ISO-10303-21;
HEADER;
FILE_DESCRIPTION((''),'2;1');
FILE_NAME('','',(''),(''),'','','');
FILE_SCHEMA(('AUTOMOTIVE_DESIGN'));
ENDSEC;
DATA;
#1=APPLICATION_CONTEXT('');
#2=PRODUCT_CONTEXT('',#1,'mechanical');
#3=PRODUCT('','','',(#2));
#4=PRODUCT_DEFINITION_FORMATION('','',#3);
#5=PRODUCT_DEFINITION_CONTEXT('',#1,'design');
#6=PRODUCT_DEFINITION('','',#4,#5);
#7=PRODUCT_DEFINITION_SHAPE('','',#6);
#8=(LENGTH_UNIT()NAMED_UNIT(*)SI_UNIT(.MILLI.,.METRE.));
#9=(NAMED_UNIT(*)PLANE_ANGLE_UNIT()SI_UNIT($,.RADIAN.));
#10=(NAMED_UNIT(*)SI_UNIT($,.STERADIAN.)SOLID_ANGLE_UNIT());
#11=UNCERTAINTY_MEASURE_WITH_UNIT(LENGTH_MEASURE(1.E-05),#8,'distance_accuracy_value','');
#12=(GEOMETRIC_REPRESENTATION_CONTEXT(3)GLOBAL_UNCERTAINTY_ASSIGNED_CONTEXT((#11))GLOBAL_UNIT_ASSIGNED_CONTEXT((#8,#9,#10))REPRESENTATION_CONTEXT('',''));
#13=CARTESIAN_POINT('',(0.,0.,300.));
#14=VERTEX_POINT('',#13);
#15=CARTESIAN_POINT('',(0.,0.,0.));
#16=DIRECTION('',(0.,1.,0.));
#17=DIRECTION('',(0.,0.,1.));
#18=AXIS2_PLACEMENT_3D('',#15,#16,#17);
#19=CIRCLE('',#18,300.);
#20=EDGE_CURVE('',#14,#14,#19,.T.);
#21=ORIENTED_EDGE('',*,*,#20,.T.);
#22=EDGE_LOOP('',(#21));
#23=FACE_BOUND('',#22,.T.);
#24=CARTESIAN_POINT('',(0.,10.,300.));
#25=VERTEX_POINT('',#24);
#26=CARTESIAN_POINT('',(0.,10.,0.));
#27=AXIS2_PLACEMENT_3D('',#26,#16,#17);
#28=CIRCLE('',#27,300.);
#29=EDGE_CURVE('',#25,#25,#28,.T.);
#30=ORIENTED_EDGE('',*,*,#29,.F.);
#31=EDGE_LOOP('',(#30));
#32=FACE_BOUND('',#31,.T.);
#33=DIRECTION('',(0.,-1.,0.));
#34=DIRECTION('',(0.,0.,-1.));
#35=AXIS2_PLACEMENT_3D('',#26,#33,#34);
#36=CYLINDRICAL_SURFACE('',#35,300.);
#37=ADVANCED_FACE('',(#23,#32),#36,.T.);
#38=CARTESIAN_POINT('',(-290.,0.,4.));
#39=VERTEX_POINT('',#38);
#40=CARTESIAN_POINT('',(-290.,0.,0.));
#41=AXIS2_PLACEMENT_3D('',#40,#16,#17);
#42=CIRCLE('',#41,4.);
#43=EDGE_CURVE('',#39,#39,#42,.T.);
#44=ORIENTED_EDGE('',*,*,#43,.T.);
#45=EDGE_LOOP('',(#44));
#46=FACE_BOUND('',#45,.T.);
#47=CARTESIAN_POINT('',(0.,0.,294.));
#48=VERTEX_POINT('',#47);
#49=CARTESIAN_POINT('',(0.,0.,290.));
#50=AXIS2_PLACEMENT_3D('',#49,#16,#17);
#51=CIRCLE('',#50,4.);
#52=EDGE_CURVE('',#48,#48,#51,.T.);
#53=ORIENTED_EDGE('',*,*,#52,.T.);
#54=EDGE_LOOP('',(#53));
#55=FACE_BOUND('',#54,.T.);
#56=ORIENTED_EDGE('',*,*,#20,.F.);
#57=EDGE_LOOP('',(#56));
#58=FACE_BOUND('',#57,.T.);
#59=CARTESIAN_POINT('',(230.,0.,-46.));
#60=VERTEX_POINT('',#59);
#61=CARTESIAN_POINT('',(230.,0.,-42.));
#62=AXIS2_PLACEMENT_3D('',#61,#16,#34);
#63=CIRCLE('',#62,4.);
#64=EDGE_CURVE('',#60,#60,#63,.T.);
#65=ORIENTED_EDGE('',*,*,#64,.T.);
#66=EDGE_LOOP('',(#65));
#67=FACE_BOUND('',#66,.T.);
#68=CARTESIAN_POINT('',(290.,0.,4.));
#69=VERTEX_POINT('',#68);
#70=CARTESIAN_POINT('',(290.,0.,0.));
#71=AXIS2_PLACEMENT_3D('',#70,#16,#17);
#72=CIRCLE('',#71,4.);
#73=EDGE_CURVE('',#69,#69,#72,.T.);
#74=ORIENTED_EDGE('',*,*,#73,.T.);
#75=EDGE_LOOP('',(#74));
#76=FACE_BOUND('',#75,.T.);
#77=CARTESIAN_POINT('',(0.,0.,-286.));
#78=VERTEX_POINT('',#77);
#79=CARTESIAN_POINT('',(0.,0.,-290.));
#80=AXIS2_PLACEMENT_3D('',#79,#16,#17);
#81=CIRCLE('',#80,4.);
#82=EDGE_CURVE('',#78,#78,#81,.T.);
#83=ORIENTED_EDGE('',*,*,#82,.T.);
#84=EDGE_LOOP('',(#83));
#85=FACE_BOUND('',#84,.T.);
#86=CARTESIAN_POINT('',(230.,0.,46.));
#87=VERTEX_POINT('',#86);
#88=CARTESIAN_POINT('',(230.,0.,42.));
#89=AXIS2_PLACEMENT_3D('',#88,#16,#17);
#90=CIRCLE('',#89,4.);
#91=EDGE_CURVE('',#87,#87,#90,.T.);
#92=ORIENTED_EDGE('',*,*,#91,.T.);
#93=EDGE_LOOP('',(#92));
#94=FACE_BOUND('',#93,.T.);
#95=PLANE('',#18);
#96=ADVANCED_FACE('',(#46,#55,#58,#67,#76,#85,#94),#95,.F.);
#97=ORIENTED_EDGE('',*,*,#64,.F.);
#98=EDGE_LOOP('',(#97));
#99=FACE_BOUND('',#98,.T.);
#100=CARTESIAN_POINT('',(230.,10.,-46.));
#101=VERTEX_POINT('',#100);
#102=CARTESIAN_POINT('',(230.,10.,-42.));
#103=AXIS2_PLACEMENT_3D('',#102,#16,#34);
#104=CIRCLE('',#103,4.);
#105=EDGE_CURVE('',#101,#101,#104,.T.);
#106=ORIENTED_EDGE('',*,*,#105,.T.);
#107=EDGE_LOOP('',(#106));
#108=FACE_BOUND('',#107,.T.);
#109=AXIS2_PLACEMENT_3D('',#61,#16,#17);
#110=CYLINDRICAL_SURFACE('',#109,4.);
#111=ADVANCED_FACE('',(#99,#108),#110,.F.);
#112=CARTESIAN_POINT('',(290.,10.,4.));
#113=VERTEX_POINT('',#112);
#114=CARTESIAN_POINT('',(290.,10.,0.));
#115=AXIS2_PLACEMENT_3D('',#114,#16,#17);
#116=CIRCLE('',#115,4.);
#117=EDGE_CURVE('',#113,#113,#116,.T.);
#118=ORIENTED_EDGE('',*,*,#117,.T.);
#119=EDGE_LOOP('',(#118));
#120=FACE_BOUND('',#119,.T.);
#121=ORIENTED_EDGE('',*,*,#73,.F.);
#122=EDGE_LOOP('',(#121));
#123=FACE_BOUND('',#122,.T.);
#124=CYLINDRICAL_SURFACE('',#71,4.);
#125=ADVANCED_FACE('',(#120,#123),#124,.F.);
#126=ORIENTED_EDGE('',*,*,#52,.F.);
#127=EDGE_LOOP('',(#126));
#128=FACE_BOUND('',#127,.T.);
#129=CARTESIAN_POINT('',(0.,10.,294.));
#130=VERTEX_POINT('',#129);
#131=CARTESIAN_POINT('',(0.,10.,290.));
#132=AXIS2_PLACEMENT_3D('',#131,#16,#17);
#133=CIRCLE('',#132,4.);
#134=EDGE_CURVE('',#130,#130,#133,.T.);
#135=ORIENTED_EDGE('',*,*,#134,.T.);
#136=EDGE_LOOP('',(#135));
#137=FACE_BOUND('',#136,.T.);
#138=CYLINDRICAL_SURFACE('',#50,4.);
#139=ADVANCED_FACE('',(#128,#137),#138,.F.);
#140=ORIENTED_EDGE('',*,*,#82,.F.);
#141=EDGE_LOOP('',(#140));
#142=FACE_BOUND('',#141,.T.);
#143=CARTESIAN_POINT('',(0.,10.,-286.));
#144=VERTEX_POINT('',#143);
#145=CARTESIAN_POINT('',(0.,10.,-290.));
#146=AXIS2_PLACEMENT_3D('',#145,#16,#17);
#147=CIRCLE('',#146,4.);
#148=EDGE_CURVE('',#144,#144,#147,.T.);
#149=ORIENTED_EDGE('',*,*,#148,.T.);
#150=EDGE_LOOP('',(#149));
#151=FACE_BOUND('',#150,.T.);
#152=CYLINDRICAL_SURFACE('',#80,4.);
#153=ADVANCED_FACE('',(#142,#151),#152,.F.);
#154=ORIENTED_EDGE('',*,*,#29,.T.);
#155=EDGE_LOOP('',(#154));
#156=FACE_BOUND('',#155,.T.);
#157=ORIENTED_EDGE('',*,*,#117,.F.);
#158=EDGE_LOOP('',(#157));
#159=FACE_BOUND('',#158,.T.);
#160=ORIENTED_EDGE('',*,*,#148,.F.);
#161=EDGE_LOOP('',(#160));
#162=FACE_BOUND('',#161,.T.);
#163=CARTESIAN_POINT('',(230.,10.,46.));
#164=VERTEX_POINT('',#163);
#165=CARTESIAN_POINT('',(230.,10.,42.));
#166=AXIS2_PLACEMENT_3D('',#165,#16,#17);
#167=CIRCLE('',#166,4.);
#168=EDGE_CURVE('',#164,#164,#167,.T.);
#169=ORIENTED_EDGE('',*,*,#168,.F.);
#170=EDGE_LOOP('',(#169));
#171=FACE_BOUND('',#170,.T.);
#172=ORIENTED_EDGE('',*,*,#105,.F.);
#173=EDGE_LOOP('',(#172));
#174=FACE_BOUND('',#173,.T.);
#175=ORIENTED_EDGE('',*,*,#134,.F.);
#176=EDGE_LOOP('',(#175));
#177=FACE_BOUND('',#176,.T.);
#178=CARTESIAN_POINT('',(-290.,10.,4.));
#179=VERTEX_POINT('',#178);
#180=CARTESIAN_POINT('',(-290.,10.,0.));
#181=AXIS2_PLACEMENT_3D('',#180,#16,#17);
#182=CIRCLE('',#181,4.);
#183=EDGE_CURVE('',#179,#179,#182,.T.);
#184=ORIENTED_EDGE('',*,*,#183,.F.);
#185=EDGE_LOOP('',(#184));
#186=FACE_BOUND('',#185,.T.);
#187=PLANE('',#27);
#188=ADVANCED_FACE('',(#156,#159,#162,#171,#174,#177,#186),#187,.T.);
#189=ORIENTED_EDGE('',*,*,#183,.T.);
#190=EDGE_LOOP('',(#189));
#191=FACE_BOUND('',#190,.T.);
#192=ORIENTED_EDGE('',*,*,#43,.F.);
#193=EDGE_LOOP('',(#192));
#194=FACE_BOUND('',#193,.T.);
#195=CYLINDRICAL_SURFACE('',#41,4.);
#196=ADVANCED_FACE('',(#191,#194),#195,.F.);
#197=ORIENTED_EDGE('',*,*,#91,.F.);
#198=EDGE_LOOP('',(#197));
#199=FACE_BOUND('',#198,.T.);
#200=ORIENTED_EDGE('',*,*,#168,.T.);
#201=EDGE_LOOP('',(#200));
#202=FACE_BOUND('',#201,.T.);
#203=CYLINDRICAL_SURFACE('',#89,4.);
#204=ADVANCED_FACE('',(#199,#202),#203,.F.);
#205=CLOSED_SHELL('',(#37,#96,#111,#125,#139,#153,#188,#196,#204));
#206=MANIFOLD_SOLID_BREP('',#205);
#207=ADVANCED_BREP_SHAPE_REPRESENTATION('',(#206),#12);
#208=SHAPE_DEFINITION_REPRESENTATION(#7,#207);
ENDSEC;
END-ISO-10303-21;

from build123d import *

# Parameters (mm, degrees)
SKETCH1_R           = 300
BOSS_EXTRUDE1_DEPTH = 10
SKETCH3_R           = 4
CUT_EXTRUDE1_DEPTH  = 11


with BuildPart() as part:
    # Sketch1 → Boss-Extrude1 (new body)
    with BuildSketch(Plane(origin=(0, 0, 0), x_dir=(1, 0, 0), z_dir=(0, 1, 0))):
        Circle(SKETCH1_R)
    extrude(amount=BOSS_EXTRUDE1_DEPTH)

    # Sketch3 → Cut-Extrude1 (cut, through all)
    with BuildSketch(Plane(origin=(0, 10, 0), x_dir=(1, 0, 0), z_dir=(0, 1, 0))):
        with Locations((290, 0)):
            Circle(SKETCH3_R)
        with Locations((0, -290)):
            Circle(SKETCH3_R)
        with Locations((-290, 0)):
            Circle(SKETCH3_R)
        with Locations((0, 290)):
            Circle(SKETCH3_R)
        with Locations((230, -42)):
            Circle(SKETCH3_R)
        with Locations((230, 42)):
            Circle(SKETCH3_R)
    extrude(amount=-CUT_EXTRUDE1_DEPTH, mode=Mode.SUBTRACT)


solid = part.part
